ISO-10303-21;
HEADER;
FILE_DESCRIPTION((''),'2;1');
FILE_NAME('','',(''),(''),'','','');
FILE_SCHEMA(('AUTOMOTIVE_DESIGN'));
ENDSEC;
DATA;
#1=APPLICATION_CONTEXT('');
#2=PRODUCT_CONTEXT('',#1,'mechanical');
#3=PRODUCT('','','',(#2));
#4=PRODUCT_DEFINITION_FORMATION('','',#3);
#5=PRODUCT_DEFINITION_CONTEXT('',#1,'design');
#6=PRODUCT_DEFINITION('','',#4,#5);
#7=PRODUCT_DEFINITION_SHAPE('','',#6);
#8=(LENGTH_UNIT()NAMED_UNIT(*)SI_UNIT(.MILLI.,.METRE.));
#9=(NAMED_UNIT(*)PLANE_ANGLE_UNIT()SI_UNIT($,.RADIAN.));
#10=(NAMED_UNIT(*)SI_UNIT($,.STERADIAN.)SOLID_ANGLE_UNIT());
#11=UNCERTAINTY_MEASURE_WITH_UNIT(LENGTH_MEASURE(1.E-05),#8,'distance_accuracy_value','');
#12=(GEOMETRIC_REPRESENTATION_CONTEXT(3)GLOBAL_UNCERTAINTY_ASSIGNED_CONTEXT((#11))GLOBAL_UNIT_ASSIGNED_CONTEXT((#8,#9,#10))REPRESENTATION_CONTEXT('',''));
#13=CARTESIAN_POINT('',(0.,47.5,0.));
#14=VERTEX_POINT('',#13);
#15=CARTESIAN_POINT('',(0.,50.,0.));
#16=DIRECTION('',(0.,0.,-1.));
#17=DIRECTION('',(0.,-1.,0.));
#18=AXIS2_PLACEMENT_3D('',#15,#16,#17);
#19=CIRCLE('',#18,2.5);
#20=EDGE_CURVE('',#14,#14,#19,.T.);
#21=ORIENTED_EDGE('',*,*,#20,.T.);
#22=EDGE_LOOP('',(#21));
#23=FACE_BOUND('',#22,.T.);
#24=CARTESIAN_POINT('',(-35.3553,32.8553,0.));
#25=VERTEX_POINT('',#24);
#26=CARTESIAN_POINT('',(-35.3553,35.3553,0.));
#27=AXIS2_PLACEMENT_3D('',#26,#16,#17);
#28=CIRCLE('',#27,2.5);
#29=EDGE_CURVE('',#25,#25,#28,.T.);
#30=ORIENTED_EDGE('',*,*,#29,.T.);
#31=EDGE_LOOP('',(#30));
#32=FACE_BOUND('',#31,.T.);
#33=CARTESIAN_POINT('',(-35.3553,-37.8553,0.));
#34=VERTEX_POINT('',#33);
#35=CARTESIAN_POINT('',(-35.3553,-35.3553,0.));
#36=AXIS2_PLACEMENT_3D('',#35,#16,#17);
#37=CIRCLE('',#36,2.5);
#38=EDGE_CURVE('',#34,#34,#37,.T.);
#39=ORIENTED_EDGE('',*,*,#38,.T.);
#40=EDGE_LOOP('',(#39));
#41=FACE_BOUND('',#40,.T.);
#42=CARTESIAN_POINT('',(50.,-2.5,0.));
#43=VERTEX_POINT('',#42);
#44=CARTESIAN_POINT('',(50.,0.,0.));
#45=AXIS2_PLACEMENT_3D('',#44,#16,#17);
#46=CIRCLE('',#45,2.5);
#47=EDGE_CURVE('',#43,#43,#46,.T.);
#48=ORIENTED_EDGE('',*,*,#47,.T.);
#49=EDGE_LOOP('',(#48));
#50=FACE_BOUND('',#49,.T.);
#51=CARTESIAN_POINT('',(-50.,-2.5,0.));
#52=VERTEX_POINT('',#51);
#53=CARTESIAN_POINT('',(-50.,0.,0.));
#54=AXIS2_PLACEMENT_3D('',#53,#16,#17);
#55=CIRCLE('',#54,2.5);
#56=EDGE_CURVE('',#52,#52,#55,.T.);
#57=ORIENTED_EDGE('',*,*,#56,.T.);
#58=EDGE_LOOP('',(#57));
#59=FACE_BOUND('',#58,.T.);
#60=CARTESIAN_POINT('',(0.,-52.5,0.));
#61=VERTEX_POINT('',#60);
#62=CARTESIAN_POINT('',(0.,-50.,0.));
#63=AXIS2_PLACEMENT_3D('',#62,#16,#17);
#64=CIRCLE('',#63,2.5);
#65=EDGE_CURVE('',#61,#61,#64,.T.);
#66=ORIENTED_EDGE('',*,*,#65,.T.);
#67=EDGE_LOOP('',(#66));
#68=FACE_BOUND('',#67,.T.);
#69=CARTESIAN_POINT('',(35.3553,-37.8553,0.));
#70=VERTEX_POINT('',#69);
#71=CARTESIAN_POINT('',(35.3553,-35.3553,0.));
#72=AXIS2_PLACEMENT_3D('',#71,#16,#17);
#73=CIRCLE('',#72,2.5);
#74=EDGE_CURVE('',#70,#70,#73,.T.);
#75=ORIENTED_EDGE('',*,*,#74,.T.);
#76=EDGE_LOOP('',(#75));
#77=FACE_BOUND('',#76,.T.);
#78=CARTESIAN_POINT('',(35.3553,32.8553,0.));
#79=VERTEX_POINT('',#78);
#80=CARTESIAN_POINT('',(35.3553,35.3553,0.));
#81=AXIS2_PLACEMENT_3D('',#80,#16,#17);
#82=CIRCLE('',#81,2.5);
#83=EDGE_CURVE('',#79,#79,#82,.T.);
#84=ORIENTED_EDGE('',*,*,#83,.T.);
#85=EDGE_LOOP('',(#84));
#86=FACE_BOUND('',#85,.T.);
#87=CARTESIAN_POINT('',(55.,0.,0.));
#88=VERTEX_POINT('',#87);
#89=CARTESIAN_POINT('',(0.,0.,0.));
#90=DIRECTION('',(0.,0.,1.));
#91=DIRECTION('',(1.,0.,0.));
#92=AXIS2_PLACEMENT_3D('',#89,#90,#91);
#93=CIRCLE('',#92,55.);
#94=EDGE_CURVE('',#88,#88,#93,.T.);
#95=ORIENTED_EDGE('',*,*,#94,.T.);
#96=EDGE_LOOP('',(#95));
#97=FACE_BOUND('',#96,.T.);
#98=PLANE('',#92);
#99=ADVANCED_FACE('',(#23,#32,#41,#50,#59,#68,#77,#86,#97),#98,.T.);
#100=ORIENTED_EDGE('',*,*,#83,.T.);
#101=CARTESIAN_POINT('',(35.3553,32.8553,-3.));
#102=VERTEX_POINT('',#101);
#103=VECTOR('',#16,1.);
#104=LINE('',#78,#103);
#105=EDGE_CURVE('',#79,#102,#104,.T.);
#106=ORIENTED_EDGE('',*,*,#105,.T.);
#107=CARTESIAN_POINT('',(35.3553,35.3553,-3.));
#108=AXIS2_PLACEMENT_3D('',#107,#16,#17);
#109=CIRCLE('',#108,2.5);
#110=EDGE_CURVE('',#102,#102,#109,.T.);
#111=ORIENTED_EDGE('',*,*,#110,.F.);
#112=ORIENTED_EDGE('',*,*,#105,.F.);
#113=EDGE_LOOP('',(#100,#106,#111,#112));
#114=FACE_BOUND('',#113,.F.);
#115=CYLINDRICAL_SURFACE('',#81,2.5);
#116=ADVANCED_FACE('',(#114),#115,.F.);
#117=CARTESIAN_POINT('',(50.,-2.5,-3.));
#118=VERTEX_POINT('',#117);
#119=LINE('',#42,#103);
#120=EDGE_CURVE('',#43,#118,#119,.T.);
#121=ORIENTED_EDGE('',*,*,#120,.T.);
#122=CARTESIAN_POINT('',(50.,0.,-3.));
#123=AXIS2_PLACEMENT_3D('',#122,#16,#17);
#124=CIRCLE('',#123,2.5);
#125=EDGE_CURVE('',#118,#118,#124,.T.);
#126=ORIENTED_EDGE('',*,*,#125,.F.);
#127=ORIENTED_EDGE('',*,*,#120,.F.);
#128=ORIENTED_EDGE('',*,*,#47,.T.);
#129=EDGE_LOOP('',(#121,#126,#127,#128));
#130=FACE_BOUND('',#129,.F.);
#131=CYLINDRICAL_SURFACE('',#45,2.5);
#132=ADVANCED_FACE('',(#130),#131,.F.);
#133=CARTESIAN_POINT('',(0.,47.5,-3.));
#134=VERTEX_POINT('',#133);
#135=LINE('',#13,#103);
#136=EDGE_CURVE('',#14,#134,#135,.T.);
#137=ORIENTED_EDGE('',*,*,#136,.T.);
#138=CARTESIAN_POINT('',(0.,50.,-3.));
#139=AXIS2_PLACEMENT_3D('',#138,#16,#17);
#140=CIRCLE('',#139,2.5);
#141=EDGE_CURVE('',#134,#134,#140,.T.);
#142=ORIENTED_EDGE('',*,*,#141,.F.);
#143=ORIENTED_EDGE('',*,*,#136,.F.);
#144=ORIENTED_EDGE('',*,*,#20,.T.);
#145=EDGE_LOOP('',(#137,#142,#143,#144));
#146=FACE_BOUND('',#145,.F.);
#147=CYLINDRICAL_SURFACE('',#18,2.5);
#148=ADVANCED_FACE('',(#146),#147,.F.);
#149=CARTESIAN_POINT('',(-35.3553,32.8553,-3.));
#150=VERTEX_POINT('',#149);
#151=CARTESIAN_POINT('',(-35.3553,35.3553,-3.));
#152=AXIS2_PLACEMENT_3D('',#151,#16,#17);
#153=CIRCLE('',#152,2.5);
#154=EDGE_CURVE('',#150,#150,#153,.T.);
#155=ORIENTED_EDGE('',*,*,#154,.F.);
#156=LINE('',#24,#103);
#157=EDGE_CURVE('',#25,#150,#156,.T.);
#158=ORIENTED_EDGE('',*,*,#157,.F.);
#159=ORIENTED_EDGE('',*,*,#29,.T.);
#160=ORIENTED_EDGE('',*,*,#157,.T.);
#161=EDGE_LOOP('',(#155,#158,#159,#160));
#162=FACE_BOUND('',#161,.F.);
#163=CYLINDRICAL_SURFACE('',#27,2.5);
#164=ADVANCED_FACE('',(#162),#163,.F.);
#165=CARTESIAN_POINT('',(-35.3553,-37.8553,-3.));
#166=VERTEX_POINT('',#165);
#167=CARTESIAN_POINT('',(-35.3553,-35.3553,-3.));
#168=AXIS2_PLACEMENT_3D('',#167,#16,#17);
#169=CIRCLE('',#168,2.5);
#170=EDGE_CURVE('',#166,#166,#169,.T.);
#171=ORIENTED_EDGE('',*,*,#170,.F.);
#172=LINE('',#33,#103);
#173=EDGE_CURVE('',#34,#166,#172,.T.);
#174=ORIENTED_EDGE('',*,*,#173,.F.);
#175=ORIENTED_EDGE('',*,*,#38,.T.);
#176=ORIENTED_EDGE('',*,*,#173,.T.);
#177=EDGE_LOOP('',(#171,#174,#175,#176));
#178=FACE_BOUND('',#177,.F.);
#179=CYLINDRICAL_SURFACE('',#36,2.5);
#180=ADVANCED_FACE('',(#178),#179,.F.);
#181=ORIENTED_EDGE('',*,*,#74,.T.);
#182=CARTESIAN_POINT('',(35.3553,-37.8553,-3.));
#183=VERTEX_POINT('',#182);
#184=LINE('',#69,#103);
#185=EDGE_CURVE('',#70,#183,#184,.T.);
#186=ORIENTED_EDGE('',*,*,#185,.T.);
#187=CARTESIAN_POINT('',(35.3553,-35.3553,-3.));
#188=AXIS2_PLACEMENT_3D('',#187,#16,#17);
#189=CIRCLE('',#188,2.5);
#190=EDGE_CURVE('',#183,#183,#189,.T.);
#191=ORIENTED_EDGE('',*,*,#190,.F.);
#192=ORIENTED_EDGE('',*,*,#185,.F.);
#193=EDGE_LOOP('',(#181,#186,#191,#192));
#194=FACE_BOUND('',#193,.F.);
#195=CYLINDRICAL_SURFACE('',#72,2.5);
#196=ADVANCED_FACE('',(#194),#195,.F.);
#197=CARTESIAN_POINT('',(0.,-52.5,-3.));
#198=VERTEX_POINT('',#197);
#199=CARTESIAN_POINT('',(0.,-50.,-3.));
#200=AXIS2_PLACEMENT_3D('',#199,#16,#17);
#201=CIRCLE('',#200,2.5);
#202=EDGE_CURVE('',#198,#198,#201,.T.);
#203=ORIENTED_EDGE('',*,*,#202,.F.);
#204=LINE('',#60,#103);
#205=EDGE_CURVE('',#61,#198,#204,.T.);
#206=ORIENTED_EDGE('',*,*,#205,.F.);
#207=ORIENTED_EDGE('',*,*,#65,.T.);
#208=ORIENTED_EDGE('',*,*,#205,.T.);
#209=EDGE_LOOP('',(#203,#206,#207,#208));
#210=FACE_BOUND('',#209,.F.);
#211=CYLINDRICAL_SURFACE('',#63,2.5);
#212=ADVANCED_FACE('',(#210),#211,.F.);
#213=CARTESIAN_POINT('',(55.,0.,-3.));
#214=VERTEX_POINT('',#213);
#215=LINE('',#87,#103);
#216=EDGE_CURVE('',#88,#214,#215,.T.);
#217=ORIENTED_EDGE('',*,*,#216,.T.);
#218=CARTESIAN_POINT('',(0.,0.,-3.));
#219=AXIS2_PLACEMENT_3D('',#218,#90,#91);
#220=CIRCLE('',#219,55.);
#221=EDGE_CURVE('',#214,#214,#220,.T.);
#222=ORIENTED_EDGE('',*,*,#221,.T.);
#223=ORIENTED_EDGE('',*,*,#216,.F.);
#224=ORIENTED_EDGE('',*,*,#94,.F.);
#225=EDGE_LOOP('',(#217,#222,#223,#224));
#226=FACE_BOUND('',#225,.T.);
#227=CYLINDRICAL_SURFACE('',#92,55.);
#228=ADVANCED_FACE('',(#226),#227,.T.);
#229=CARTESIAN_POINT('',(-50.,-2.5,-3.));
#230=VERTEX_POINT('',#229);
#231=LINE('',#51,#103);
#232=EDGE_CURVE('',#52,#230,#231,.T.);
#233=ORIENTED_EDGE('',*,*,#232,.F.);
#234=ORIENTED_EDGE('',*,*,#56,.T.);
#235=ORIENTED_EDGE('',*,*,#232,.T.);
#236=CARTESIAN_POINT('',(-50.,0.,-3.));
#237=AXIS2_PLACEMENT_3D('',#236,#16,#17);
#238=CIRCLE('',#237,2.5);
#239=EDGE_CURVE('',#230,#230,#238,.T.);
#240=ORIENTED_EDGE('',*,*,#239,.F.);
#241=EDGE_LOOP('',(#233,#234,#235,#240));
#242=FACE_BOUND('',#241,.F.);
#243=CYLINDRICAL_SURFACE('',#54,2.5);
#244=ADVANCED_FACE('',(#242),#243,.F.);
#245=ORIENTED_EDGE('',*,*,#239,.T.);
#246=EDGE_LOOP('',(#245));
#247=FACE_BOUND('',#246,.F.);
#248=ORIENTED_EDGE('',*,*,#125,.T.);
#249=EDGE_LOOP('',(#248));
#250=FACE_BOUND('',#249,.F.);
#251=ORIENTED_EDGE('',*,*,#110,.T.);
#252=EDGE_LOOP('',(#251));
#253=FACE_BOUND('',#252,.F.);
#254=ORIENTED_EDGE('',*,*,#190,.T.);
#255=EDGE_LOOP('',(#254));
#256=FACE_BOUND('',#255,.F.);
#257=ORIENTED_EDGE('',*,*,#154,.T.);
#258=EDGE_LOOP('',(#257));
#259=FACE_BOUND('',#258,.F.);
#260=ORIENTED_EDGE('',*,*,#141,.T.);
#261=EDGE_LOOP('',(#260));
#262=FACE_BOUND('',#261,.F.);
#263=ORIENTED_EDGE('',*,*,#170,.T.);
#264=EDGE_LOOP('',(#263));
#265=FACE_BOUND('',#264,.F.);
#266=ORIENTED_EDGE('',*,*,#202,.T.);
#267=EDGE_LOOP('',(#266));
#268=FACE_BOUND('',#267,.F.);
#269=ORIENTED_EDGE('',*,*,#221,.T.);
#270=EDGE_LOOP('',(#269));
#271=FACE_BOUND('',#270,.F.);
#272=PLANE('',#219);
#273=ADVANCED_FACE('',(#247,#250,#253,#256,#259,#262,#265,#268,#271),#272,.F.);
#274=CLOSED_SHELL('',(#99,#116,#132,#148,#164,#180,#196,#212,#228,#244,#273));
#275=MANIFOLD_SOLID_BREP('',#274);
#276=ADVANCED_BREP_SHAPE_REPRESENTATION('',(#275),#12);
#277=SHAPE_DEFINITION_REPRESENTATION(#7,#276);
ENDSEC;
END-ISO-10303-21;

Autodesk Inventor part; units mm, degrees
ref_plane "YZ Plane" through (0, 0, 0) normal (1, 0, 0) x (0, 1, 0)
ref_plane "XZ Plane" through (0, 0, 0) normal (0, 1, 0) x (-1, 0, 0)
ref_plane "XY Plane" through (0, 0, 0) normal (0, 0, 1) x (1, 0, 0)
sketch "Boceto1" plane through (0, 0, 0) normal (0, 0, 1) x (1, 0, 0)
  circle A0 centre (0, 0) radius 55
extrude "Extrusión1" add sketch "Boceto1" against normal blind 3
sketch "Boceto2" plane through (0, 0, 0) normal (0, 0, 1) x (1, 0, 0)
  circle A0 centre (0, 50) radius 2.5
  circle A1 centre (-35.3553, 35.3553) radius 2.5
  circle A2 centre (-50, 0) radius 2.5
  circle A3 centre (-35.3553, -35.3553) radius 2.5
  circle A4 centre (0, -50) radius 2.5
  circle A5 centre (35.3553, -35.3553) radius 2.5
  circle A6 centre (50, 0) radius 2.5
  circle A7 centre (35.3553, 35.3553) radius 2.5
  point P0 (0, 0)
  dimension "d7" = 360
hole "Agujero1" at (0, 50, 0) at (-35.3553, 35.3553, 0) at (-50, 0, 0) at (-35.3553, -35.3553, 0) at (0, -50, 0) at (35.3553, -35.3553, 0) at (50, 0, 0) at (35.3553, 35.3553, 0) direction (0, 0, -1) diameter 5 end through all
properties part number "Base3" material "Resina fenólica"
